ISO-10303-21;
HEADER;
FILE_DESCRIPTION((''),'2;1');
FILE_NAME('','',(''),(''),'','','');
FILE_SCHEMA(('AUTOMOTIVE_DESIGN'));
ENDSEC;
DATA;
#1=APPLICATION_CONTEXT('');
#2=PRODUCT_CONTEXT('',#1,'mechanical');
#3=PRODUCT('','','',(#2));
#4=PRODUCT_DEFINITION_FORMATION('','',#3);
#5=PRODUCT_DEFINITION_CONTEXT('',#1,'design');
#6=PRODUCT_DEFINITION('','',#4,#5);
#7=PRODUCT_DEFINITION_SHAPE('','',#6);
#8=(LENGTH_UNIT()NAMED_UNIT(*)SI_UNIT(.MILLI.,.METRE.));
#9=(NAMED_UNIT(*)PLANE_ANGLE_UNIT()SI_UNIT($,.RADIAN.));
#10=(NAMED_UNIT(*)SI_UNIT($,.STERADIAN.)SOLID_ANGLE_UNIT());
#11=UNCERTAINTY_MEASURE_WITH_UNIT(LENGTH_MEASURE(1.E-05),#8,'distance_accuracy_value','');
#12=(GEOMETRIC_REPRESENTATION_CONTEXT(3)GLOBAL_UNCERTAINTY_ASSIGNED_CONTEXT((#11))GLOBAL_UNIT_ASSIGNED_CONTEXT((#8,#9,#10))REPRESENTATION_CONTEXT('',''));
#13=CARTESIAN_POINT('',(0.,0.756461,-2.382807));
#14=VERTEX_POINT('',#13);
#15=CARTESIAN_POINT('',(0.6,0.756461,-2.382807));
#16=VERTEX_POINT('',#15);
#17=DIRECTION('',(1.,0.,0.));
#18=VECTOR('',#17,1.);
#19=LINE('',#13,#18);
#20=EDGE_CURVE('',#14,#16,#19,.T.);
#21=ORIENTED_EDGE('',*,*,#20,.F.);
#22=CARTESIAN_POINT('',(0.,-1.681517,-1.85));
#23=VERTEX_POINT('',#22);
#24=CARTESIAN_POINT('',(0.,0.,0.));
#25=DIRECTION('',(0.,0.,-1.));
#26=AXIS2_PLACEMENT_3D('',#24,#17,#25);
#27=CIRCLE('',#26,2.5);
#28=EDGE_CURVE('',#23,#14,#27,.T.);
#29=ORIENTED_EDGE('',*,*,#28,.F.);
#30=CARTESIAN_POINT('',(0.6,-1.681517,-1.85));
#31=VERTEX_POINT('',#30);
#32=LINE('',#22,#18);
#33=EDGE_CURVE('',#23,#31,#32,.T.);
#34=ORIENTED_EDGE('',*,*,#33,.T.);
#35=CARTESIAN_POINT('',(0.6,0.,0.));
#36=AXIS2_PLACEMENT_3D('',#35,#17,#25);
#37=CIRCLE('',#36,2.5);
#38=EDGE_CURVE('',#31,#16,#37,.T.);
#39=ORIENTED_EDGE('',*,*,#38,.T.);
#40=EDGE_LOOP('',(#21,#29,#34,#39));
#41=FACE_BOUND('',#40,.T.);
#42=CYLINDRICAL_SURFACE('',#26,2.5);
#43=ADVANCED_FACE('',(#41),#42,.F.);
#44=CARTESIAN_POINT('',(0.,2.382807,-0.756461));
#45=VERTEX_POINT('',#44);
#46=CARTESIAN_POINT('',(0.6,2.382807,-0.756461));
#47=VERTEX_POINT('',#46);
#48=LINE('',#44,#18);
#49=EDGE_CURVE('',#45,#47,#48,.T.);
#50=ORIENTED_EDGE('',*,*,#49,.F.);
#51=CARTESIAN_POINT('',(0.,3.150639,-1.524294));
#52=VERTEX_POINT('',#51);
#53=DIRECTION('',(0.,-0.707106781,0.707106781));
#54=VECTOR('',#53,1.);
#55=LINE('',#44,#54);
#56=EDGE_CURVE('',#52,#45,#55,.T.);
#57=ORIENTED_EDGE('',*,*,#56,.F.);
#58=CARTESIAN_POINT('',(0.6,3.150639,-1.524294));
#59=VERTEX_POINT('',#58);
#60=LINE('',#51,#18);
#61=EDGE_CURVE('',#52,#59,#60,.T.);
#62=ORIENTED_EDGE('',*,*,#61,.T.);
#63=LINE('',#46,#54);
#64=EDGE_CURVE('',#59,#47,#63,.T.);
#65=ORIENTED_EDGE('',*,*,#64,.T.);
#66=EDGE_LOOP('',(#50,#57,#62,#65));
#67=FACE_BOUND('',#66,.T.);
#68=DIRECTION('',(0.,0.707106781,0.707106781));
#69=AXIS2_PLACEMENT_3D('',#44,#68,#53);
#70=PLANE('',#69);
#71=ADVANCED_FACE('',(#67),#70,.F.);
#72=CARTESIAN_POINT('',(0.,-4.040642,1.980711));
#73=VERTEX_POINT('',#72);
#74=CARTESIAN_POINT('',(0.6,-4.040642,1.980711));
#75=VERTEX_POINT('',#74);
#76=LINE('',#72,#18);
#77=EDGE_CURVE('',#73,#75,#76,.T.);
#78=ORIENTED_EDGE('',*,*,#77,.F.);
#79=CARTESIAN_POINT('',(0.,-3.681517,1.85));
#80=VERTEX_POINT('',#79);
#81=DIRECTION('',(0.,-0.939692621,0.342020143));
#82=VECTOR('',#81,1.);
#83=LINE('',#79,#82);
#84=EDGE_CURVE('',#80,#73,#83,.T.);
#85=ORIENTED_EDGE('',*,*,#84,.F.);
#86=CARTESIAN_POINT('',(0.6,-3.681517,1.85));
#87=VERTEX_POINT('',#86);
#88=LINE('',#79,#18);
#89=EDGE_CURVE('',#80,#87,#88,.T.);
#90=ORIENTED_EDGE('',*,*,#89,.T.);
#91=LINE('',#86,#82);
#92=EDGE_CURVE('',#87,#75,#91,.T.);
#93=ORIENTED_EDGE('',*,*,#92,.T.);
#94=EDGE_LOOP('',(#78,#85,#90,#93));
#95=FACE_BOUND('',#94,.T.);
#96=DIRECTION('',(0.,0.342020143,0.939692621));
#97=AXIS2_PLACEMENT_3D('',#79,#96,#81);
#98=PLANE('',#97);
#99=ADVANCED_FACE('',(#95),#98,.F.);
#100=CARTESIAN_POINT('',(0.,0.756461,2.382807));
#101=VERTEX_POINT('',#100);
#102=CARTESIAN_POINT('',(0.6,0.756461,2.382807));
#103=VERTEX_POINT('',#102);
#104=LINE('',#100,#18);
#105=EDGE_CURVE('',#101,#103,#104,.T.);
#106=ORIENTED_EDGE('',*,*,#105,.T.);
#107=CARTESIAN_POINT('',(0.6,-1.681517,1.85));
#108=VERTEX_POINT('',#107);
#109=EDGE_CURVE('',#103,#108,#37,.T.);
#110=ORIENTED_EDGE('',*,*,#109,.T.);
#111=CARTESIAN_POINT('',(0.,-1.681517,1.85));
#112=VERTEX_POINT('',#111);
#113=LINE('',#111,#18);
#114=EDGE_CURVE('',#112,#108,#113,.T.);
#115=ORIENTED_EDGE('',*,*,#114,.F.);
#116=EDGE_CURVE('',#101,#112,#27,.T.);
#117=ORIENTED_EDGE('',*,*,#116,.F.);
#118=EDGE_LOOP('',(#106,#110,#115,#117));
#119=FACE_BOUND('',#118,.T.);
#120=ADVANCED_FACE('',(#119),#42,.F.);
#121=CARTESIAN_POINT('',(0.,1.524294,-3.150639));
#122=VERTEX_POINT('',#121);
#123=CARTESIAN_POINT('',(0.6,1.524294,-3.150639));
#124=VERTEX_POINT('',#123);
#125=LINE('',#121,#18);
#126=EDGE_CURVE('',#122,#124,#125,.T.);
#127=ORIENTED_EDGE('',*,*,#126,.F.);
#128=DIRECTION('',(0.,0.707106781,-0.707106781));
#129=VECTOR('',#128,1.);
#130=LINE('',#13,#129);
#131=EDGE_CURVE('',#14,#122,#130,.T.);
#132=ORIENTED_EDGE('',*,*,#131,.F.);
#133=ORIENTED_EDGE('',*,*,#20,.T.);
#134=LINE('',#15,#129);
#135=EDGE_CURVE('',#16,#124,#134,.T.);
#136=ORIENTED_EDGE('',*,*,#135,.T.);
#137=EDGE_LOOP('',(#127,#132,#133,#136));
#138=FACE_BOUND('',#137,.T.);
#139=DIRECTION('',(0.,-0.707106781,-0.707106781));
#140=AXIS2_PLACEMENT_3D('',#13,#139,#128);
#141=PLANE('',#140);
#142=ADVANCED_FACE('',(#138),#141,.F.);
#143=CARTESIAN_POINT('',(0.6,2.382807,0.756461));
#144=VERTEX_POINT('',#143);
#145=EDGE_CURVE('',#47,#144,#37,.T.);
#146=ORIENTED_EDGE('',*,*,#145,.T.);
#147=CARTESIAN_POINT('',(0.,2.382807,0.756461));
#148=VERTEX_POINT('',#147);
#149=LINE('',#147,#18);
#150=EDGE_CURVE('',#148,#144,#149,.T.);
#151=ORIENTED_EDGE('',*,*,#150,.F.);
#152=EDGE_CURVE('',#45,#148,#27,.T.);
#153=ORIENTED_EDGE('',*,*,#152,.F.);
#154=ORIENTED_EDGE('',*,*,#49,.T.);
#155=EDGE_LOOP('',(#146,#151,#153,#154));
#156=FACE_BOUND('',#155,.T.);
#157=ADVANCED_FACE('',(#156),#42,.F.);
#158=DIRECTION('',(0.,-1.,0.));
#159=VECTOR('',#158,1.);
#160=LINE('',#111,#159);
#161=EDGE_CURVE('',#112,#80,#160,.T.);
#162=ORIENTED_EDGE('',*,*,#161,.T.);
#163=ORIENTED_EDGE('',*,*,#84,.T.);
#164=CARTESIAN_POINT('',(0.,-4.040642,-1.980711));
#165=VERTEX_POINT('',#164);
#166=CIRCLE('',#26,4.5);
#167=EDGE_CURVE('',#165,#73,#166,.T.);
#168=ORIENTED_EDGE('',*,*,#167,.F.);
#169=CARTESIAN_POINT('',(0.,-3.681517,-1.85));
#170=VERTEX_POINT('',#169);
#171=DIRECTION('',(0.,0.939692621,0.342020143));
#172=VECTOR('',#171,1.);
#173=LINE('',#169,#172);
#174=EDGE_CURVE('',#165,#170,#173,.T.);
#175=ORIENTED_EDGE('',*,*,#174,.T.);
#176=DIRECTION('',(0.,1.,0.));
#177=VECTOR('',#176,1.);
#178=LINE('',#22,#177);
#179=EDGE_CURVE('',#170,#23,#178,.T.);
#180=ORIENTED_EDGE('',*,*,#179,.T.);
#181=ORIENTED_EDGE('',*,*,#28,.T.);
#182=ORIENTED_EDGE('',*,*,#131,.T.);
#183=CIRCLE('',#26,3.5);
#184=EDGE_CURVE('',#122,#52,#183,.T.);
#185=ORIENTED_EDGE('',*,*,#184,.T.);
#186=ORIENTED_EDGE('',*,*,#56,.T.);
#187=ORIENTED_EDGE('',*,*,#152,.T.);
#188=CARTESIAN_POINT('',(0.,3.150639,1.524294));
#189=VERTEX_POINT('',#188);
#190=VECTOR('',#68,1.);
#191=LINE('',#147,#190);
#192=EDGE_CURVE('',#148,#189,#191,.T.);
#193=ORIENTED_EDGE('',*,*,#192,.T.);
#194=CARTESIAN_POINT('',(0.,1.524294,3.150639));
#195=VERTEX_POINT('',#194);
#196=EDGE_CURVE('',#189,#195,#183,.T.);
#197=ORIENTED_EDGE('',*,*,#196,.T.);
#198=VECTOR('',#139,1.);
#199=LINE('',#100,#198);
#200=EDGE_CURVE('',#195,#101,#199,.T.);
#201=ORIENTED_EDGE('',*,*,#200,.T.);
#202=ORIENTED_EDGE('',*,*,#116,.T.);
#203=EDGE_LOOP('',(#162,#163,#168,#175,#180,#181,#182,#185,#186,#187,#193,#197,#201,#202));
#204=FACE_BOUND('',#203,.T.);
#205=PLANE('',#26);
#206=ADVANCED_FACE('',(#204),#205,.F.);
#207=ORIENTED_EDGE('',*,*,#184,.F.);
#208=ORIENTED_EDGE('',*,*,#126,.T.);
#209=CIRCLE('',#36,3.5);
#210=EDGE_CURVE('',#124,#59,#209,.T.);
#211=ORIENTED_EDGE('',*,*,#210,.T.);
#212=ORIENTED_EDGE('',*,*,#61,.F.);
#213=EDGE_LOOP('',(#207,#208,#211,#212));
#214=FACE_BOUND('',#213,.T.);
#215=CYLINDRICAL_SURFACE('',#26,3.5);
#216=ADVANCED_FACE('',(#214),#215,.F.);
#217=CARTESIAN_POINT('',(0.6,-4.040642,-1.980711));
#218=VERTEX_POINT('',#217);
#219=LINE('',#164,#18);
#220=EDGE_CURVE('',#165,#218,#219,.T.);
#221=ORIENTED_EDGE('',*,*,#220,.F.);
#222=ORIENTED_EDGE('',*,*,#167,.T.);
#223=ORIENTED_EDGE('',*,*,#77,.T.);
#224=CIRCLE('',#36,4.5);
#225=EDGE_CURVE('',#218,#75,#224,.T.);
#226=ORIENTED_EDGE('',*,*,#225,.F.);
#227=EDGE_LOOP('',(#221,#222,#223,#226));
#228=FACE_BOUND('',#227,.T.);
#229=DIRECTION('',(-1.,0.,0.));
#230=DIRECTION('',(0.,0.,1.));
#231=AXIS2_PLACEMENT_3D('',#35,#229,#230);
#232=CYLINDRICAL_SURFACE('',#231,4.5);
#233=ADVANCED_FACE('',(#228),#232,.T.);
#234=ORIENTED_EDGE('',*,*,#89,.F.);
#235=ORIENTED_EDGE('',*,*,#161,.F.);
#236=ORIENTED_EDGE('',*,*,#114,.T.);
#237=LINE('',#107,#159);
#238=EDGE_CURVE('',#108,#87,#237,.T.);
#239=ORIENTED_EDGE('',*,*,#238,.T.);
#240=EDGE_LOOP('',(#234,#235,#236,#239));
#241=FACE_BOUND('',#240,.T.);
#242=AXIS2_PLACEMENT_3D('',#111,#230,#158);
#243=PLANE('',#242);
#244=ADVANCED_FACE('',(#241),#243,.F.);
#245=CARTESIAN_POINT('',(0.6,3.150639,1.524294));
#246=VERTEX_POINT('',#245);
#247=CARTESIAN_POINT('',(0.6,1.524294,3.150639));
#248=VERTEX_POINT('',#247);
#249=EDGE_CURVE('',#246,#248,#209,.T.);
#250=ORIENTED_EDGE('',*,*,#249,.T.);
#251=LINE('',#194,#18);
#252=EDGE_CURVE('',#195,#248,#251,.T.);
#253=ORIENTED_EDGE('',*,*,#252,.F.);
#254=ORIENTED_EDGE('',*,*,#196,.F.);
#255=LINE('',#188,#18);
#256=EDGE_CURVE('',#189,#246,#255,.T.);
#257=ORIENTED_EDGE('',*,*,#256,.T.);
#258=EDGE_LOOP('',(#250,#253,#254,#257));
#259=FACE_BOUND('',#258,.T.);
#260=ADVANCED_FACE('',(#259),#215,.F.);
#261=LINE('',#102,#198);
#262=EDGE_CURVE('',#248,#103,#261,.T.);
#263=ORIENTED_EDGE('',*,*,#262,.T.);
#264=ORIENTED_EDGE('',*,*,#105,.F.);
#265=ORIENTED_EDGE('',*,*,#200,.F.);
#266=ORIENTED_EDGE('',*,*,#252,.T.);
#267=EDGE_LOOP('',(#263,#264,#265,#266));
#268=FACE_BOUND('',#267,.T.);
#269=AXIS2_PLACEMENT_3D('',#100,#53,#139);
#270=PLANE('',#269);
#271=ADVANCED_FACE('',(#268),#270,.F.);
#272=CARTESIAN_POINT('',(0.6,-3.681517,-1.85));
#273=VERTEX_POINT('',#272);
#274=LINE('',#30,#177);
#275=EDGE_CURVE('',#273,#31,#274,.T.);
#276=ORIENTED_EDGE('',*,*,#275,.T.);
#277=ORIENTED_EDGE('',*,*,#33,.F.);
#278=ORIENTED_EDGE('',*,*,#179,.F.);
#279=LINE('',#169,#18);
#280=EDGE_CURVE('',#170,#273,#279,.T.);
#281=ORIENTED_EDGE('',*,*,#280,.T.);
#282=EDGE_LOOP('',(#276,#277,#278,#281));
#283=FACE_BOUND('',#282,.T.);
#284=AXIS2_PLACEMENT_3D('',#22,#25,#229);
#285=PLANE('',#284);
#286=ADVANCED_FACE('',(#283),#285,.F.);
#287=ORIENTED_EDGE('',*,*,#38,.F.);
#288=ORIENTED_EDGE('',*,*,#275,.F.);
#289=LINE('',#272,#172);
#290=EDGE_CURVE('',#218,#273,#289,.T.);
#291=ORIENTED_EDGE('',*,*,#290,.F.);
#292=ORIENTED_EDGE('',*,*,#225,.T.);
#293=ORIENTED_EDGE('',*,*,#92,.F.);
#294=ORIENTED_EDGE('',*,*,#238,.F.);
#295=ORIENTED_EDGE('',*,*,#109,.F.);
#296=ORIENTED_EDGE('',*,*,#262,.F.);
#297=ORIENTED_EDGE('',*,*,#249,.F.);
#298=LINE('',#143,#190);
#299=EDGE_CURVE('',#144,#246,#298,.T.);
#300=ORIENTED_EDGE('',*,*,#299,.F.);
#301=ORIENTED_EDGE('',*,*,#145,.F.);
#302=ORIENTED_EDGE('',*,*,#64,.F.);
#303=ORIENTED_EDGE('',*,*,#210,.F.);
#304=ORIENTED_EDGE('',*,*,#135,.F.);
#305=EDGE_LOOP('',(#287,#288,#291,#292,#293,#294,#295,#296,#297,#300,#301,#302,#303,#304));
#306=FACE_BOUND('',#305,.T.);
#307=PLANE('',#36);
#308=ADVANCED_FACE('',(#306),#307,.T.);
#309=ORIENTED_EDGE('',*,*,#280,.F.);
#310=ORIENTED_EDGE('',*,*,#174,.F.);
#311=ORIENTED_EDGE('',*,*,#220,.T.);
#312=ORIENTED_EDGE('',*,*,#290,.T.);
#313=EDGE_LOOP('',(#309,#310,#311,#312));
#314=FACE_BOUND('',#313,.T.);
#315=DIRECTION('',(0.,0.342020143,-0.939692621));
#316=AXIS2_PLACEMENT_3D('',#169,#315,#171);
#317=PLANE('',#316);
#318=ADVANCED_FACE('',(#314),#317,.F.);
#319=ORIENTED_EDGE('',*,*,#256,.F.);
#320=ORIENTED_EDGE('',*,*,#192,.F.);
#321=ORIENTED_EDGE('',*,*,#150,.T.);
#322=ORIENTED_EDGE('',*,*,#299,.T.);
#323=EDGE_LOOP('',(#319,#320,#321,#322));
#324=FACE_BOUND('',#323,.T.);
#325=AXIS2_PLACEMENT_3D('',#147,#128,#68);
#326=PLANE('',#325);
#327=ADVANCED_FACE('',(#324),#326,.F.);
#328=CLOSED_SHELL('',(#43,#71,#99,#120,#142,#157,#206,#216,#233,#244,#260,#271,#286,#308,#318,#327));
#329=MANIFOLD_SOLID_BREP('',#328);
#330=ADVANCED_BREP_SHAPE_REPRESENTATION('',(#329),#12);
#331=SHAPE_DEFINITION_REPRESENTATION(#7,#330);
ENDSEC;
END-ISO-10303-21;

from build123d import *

# Parameters (mm, degrees)
ESQUISSE1_R             = 4.5
BASE_EXTRUSION_DEPTH    = 0.6
ENL_V_MAT_EXTRU_1_DEPTH = 7.392182726


with BuildPart() as part:
    # Esquisse1 → Base-Extrusion (new body)
    with BuildSketch(Plane(origin=(0, 0, 0), x_dir=(0, 0, -1), z_dir=(1, 0, 0))):
        Circle(ESQUISSE1_R)
    extrude(amount=BASE_EXTRUSION_DEPTH)

    # Esquisse2 → Enlèv. mat.-Extru.1 (cut, through all)
    with BuildSketch(Plane(origin=(0.6, 0, 0), x_dir=(0, 0, -1), z_dir=(1, 0, 0))):
        with BuildLine():
            Line((0.756460917, 2.382806514), (1.524293779, 3.150639376))
            ThreePointArc((1.524293779, 3.150639376), (2.474873734, 2.474873734), (3.150639376, 1.524293779))
            Line((3.150639376, 1.524293779), (2.382806514, 0.756460917))
            ThreePointArc((2.382806514, 0.756460917), (2.442354814, -0.533763022), (1.85, -1.681517172))
            Line((1.85, -1.681517172), (1.85, -3.681517172))
            Line((1.85, -3.681517172), (1.980710639, -4.040641702))
            ThreePointArc((1.980710639, -4.040641702), (0, -4.5), (-1.980710639, -4.040641702))
            Line((-1.980710639, -4.040641702), (-1.85, -3.681517172))
            Line((-1.85, -3.681517172), (-1.85, -1.681517172))
            ThreePointArc((-1.85, -1.681517172), (-2.442354814, -0.533763022), (-2.382806514, 0.756460917))
            Line((-2.382806514, 0.756460917), (-3.150639376, 1.524293779))
            ThreePointArc((-3.150639376, 1.524293779), (-2.474873734, 2.474873734), (-1.524293779, 3.150639376))
            Line((-1.524293779, 3.150639376), (-0.756460917, 2.382806514))
            ThreePointArc((-0.756460917, 2.382806514), (0, 2.5), (0.756460917, 2.382806514))
        make_face()
    extrude(amount=-ENL_V_MAT_EXTRU_1_DEPTH, mode=Mode.SUBTRACT)


solid = part.part
